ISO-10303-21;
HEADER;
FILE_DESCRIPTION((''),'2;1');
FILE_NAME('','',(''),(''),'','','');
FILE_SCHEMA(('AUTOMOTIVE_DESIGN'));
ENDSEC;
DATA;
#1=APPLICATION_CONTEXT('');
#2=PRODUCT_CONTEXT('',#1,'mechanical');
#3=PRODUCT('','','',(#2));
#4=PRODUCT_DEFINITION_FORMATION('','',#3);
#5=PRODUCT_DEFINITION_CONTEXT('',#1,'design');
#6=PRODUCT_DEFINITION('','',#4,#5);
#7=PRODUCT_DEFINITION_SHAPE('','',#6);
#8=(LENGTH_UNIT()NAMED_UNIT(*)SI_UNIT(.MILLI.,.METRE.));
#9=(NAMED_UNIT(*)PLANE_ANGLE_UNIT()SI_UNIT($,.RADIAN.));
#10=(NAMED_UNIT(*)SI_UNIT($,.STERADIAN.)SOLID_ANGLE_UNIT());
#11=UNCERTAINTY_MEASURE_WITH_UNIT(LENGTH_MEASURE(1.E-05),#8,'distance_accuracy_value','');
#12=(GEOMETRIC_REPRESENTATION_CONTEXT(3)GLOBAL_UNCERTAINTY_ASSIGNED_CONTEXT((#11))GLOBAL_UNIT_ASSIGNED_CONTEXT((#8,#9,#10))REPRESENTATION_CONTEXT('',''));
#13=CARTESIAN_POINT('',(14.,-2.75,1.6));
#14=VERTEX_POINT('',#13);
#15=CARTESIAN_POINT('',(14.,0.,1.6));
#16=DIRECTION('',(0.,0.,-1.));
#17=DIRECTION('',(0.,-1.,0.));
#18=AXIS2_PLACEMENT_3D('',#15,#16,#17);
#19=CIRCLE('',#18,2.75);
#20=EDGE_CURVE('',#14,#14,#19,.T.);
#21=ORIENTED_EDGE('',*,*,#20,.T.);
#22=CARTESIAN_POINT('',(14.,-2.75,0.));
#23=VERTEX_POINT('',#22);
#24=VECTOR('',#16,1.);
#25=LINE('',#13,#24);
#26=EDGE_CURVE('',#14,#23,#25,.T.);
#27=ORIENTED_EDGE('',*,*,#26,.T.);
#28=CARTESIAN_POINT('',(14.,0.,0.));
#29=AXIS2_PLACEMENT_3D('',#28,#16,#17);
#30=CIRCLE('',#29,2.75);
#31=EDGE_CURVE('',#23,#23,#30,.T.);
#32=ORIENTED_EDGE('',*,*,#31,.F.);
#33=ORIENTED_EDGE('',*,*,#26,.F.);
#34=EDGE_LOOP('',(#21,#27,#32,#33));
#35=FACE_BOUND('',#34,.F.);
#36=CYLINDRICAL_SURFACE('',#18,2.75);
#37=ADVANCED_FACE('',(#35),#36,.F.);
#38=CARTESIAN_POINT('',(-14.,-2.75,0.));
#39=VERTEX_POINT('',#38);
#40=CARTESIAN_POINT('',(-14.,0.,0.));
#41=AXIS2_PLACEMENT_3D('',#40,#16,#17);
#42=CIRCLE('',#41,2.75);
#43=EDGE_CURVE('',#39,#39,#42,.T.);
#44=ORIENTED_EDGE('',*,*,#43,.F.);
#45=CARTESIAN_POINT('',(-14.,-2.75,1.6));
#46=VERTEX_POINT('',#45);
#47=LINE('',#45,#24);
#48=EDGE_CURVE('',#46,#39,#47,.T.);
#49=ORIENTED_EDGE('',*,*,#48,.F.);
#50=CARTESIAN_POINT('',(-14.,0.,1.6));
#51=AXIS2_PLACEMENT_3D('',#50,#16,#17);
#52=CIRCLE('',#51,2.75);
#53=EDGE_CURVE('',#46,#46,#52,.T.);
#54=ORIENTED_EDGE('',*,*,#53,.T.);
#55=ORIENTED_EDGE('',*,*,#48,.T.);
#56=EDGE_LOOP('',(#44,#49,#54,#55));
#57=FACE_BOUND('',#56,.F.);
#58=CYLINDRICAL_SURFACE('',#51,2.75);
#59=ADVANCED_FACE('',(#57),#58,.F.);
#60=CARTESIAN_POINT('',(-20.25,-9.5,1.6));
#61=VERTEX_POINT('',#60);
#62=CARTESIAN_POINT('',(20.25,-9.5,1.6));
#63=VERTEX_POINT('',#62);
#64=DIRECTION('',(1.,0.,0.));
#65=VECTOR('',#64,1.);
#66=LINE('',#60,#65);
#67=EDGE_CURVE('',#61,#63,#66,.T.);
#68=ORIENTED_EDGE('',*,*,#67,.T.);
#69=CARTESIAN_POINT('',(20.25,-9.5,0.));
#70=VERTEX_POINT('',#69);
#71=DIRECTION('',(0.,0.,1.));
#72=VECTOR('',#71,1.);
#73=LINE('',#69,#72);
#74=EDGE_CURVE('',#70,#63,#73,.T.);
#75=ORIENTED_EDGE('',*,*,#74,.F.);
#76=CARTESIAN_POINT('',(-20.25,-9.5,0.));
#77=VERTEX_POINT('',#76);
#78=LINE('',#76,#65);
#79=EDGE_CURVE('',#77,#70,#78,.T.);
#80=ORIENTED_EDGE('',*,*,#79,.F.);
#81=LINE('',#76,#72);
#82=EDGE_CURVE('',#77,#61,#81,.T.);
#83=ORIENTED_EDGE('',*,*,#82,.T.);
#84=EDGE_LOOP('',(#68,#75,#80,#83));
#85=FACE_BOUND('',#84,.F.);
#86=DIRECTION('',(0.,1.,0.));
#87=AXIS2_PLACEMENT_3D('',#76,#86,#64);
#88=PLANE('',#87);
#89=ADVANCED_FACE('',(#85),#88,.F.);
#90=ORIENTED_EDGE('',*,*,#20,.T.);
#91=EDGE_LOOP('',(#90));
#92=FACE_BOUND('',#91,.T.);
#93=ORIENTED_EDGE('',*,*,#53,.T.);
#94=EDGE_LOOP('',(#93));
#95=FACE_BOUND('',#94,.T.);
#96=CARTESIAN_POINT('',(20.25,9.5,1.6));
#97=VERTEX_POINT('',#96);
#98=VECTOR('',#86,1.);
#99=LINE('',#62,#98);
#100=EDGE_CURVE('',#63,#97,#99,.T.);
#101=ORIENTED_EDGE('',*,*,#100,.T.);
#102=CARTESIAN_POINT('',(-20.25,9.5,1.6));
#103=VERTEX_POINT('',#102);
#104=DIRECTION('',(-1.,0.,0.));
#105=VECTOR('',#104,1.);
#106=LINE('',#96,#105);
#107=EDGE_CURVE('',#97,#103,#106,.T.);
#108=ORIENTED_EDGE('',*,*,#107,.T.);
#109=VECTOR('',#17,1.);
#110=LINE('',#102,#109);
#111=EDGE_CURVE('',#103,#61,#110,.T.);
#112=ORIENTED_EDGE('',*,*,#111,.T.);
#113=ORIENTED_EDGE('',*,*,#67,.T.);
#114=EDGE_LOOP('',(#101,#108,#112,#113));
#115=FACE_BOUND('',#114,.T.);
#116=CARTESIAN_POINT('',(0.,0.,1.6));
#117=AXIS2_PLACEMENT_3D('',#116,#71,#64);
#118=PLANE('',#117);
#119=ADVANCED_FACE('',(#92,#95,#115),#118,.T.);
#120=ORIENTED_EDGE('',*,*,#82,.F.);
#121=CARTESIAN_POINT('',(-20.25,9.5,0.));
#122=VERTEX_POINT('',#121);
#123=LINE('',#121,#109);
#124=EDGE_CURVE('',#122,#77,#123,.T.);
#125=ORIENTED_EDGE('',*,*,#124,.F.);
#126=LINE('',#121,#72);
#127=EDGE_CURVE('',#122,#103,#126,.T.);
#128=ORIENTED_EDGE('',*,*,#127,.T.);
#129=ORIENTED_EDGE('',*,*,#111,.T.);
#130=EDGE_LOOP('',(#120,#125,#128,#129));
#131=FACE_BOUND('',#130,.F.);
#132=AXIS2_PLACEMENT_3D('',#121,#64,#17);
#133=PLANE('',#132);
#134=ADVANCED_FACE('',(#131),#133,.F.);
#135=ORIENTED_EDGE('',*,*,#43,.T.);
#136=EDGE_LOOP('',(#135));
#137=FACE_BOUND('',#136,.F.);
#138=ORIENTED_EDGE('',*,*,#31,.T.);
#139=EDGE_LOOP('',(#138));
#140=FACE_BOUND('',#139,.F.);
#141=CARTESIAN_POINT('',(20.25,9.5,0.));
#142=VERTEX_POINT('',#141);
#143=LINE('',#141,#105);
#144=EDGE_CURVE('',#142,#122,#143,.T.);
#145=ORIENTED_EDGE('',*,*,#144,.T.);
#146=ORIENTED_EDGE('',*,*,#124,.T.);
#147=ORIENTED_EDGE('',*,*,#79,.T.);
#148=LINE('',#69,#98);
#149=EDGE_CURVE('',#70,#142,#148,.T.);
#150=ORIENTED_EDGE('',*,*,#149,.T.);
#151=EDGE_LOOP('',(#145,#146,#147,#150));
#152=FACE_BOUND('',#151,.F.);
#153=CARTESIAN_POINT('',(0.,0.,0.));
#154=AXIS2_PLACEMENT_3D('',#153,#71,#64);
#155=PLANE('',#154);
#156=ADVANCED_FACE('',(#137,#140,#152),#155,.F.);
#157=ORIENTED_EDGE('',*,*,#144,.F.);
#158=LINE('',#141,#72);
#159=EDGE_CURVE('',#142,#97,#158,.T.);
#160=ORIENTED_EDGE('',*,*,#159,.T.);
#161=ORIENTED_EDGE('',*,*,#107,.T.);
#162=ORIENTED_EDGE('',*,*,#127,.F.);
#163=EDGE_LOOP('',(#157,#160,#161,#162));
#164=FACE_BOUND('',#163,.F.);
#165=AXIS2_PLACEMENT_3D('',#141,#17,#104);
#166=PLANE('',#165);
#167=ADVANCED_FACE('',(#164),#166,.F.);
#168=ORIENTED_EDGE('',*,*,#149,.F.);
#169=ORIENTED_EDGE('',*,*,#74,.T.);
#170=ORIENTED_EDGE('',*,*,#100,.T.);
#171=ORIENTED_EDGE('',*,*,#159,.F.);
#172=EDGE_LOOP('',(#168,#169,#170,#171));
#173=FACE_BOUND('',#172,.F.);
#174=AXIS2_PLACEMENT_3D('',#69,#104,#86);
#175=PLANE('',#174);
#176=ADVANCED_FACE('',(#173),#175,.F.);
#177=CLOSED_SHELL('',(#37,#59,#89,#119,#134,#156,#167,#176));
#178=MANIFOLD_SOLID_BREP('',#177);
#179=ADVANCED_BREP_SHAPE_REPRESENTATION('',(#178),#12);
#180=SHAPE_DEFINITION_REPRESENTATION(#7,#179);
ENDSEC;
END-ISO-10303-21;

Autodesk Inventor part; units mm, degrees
ref_plane "YZ Plane" through (0, 0, 0) normal (1, 0, 0) x (0, 1, 0)
ref_plane "XZ Plane" through (0, 0, 0) normal (0, 1, 0) x (-1, 0, 0)
ref_plane "XY Plane" through (0, 0, 0) normal (0, 0, 1) x (1, 0, 0)
sketch "Sketch1" plane through (0, 0, 0) normal (0, 0, 1) x (1, 0, 0)
  line L0 (-20.25, -9.5) -> (20.25, -9.5)
  line L1 (20.25, -9.5) -> (20.25, 9.5)
  line L2 (20.25, 9.5) -> (-20.25, 9.5)
  line L3 (-20.25, 9.5) -> (-20.25, -9.5)
  line L4 (-20.25, -9.5) -> (20.25, 9.5) construction
  line L5 (20.25, -9.5) -> (-20.25, 9.5) construction
  point P0 (0, 0)
  dimension "d0" = 40.5
  dimension "d1" = 19
extrude "Extrusion1" add sketch "Sketch1" along normal blind 1.6
sketch "Sketch2" plane through (0, 0, 1.6) normal (0, 0, 1) x (1, 0, 0)
  line L0 (-14, 0) -> (14, 0) construction
  point P0 (0, 0)
  point P1 (0, 0)
  dimension "d4" = 28
hole "Hole1" at (-14, 0, 1.6) at (14, 0, 1.6) direction (0, 0, -1) diameter 5.5 depth 8 tip angle 118 clearance for "Countersunk Flat Head Screw DIN EN ISO 2009" size "M5" standard "DIN"
properties part number "Platine_Gleichrichter"
